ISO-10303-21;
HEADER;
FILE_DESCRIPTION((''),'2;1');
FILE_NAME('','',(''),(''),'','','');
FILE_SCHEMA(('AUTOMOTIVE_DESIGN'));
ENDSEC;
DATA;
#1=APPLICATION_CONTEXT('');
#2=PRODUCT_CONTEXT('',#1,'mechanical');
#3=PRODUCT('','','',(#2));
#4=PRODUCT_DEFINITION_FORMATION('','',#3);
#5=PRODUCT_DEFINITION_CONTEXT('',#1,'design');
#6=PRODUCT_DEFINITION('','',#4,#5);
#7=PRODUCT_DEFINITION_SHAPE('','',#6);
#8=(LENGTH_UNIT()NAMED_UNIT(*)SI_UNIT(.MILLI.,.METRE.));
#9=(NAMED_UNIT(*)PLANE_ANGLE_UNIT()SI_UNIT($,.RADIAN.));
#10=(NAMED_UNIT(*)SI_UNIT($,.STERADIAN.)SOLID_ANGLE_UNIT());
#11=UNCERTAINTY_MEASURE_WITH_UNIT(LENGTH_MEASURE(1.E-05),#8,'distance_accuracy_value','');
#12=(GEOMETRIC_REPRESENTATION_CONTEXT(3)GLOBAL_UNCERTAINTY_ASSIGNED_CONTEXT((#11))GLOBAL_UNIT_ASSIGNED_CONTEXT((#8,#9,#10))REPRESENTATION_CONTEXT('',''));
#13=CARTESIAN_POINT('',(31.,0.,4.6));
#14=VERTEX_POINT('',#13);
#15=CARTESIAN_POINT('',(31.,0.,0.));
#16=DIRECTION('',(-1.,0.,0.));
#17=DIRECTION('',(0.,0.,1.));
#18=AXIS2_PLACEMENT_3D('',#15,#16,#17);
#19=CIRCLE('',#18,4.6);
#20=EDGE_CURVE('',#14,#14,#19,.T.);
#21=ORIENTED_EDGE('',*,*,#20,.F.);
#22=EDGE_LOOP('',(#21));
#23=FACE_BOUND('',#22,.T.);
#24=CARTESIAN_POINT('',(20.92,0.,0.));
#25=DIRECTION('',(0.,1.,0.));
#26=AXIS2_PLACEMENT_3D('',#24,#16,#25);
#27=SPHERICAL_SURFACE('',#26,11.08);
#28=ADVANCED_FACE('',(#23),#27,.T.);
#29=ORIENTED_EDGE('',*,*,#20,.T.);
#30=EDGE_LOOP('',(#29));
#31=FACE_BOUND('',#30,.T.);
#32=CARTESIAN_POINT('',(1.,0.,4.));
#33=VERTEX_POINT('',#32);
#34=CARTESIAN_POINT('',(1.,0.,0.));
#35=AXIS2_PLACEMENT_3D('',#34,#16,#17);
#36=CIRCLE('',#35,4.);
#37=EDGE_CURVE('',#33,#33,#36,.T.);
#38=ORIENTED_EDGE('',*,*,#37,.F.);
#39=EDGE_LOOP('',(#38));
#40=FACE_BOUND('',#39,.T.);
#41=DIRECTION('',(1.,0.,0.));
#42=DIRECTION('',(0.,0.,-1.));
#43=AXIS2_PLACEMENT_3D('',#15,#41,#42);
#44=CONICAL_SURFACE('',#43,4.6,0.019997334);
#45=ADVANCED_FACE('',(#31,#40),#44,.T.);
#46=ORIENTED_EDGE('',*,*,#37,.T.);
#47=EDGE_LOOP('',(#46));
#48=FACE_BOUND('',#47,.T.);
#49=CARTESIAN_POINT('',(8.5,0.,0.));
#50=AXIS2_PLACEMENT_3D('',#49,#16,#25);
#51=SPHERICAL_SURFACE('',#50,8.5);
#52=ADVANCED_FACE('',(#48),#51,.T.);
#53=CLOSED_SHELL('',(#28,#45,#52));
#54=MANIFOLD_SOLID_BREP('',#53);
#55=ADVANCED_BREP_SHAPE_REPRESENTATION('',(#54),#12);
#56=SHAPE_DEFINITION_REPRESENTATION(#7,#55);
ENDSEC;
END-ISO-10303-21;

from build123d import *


with BuildPart() as part:
    # Sketch1 → Base-Revolve (revolve)
    with BuildSketch(Plane.XY):
        with BuildLine():
            Line((0, 0), (32, 0))
            ThreePointArc((32, 0), (31.747114112, 2.353720459), (31, 4.6))
            Line((31, 4.6), (1, 4))
            ThreePointArc((1, 4), (0.253788749, 2.061552813), (0, 0))
        make_face()
    revolve(axis=Axis((-4.003548939, 0, 0), (1, 0, 0)))


solid = part.part
